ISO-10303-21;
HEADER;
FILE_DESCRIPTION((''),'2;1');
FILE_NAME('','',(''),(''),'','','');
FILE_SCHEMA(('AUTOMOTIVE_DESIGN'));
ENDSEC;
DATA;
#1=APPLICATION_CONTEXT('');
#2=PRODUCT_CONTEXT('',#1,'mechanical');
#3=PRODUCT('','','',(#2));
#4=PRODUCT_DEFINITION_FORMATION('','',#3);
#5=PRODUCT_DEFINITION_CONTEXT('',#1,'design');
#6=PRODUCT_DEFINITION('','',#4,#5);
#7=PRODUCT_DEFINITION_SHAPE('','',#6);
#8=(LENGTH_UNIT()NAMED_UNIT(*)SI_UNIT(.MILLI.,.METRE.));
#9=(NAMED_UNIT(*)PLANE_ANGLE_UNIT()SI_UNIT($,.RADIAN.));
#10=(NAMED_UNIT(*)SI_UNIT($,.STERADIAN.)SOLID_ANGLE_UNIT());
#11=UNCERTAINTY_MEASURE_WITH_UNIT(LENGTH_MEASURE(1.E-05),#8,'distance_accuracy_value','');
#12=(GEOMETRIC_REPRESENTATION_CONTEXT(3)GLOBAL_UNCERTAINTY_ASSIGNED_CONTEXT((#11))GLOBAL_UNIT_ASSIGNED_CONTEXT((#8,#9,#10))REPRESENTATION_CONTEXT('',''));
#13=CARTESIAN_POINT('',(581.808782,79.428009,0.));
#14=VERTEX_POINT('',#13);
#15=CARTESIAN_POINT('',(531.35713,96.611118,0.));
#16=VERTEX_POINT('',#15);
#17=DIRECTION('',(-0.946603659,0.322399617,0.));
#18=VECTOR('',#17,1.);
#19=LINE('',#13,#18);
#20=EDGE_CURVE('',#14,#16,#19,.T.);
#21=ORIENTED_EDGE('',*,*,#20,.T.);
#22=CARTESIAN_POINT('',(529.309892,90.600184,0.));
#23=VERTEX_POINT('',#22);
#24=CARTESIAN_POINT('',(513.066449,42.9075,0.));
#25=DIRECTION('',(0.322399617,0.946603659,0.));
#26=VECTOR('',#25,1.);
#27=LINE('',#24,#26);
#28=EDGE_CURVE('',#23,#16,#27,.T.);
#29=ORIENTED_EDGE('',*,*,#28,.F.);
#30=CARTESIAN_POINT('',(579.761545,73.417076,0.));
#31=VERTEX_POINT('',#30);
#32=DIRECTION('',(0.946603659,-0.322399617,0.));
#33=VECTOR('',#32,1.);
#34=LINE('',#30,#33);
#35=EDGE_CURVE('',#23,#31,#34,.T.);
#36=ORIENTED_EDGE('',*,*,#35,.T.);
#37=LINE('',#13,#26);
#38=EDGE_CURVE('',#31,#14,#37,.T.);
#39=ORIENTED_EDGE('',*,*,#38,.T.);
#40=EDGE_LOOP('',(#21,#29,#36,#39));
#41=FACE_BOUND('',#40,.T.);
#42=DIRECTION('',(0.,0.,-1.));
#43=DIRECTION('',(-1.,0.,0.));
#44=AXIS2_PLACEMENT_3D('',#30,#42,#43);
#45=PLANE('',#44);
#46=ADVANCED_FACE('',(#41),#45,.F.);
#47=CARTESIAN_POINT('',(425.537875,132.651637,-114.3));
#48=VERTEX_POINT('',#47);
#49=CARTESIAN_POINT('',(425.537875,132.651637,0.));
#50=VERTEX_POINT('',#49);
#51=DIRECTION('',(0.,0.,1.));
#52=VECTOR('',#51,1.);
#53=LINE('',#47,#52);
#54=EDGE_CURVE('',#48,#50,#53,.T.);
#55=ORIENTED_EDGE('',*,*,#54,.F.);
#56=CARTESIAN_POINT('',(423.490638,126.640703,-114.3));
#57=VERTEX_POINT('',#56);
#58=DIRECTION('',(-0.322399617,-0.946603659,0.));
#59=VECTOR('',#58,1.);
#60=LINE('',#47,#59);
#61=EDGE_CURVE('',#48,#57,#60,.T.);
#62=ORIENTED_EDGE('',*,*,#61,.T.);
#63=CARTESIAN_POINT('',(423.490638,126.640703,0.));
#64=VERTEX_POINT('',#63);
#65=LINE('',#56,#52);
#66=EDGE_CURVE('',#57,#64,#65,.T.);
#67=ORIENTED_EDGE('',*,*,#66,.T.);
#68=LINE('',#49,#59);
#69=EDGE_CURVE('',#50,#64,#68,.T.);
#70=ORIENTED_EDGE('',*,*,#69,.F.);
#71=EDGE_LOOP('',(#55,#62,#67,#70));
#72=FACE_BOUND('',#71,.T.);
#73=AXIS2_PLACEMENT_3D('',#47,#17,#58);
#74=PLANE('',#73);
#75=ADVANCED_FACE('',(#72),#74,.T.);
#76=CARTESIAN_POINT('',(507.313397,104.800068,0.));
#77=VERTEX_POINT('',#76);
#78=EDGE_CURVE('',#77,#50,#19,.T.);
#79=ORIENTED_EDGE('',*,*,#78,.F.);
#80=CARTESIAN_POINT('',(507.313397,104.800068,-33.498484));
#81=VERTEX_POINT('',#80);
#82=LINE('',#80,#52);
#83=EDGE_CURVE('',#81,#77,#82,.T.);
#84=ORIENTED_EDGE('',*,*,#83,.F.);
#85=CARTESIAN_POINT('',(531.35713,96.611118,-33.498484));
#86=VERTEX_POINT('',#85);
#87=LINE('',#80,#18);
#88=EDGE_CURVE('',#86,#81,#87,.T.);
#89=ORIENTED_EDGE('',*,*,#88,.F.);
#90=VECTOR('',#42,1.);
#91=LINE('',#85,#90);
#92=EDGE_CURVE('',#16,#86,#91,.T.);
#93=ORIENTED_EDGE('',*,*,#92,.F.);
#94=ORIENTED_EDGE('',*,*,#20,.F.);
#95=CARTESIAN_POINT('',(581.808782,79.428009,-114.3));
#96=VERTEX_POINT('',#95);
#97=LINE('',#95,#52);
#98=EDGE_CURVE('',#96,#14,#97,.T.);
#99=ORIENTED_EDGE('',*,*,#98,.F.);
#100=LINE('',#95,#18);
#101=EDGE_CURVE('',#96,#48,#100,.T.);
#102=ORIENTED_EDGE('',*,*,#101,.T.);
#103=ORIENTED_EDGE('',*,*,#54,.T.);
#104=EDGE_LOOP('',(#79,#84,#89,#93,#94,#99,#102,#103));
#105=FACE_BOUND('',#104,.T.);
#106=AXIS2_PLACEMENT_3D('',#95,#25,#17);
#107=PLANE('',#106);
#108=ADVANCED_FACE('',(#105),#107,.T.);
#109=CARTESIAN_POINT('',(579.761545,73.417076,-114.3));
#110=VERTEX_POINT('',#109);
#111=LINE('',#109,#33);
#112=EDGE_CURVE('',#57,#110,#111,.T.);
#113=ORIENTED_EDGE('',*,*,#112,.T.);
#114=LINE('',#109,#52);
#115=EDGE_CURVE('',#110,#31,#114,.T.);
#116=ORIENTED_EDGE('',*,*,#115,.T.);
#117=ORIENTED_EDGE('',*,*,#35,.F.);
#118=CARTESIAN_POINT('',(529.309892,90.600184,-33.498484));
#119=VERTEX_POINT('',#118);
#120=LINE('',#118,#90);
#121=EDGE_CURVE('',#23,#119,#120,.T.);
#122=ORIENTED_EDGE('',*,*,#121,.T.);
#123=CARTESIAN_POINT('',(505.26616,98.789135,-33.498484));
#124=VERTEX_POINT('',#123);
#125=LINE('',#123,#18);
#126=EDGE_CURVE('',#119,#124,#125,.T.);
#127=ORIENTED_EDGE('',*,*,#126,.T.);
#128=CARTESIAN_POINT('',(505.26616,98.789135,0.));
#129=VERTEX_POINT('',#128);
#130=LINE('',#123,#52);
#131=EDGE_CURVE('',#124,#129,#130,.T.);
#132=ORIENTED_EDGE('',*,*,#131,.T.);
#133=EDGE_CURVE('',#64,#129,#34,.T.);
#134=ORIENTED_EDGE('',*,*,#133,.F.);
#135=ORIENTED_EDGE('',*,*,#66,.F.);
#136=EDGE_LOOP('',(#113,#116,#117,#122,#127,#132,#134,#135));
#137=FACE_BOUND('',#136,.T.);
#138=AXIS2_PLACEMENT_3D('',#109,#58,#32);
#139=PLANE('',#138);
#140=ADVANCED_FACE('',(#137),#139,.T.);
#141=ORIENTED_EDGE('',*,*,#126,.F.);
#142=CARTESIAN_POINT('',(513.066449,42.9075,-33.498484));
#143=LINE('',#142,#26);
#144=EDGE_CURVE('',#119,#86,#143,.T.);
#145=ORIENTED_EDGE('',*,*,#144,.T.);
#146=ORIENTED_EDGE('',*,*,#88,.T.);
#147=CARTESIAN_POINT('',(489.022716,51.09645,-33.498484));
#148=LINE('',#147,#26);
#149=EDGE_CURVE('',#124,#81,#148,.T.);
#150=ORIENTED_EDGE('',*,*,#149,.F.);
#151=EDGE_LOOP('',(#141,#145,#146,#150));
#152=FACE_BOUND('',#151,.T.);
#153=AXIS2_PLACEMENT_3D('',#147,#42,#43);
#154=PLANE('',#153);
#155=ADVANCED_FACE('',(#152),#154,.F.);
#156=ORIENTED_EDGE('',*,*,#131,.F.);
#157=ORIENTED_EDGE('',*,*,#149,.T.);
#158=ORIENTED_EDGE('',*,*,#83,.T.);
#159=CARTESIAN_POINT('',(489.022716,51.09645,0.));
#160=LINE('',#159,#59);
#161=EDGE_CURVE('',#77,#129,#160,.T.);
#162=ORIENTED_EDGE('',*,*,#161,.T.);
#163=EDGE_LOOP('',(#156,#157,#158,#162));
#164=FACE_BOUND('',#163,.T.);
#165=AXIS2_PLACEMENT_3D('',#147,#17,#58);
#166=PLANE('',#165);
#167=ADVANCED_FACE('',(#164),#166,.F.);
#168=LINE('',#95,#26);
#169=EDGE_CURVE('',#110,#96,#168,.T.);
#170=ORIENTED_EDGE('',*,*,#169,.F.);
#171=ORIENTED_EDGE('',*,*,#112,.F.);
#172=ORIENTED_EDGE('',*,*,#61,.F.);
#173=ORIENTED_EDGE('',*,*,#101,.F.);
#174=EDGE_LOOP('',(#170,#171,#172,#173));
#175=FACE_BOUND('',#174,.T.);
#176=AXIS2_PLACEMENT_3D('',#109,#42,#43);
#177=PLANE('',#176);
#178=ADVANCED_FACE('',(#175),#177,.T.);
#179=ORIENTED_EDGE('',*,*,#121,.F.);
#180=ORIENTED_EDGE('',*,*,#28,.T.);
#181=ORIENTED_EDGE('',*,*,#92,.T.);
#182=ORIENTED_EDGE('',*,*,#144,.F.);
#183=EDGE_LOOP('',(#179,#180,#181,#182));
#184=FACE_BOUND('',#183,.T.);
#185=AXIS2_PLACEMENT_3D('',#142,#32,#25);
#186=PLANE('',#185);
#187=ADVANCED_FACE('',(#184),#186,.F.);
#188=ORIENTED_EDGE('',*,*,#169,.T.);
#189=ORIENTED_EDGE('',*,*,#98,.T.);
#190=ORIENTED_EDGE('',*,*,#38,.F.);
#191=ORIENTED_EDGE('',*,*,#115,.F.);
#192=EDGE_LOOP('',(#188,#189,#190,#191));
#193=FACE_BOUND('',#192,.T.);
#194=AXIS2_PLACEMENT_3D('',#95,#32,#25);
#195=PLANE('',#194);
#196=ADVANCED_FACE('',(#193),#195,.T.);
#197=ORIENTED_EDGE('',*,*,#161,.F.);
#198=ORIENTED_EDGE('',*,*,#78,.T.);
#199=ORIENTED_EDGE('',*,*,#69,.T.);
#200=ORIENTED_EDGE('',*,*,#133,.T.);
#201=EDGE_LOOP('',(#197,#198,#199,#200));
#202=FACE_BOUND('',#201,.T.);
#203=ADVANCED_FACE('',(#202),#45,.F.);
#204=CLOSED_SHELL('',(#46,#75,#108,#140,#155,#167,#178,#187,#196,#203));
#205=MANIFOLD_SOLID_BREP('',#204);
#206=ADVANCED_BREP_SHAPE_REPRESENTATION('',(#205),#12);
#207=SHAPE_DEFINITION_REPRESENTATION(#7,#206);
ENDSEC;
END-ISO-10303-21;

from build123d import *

# Parameters (mm, degrees)
BOSS_EXTRUDE2_DEPTH = 114.3
CUT_EXTRUDE1_REACH  = 541.354
SKETCH2_W           = 25.4
SKETCH2_H           = 40.79687197


with BuildPart() as part:
    # Sketch1 → Boss-Extrude2 (new body)
    with BuildSketch(Plane.XY):
        Polygon((581.808782497, 79.428009058), (425.537875129, 132.65163668), (423.490637562, 126.640703446), (579.76154493, 73.417075823), align=None)
    extrude(amount=-BOSS_EXTRUDE2_DEPTH)

    # Sketch2 → Cut-Extrude1 (cut, up to next)
    with BuildSketch(Plane(origin=(84.714294761, 248.731255285, 0), x_dir=(0.9466036589314765, -0.3223996167763558, 0), z_dir=(0.32239961677635576, 0.9466036589314764, 0)), mode=Mode.PRIVATE) as cut_extrude1_sk1:
        with Locations((459.137216198, 13.100047516)):
            Rectangle(SKETCH2_W, SKETCH2_H)
    cut_extrude1_tool1 = extrude(cut_extrude1_sk1.sketch, amount=-CUT_EXTRUDE1_REACH, mode=Mode.PRIVATE) & part.part
    add(cut_extrude1_tool1.solids().sort_by_distance((519.335264, 100.705593, -13.100048))[0], mode=Mode.SUBTRACT)


solid = part.part
